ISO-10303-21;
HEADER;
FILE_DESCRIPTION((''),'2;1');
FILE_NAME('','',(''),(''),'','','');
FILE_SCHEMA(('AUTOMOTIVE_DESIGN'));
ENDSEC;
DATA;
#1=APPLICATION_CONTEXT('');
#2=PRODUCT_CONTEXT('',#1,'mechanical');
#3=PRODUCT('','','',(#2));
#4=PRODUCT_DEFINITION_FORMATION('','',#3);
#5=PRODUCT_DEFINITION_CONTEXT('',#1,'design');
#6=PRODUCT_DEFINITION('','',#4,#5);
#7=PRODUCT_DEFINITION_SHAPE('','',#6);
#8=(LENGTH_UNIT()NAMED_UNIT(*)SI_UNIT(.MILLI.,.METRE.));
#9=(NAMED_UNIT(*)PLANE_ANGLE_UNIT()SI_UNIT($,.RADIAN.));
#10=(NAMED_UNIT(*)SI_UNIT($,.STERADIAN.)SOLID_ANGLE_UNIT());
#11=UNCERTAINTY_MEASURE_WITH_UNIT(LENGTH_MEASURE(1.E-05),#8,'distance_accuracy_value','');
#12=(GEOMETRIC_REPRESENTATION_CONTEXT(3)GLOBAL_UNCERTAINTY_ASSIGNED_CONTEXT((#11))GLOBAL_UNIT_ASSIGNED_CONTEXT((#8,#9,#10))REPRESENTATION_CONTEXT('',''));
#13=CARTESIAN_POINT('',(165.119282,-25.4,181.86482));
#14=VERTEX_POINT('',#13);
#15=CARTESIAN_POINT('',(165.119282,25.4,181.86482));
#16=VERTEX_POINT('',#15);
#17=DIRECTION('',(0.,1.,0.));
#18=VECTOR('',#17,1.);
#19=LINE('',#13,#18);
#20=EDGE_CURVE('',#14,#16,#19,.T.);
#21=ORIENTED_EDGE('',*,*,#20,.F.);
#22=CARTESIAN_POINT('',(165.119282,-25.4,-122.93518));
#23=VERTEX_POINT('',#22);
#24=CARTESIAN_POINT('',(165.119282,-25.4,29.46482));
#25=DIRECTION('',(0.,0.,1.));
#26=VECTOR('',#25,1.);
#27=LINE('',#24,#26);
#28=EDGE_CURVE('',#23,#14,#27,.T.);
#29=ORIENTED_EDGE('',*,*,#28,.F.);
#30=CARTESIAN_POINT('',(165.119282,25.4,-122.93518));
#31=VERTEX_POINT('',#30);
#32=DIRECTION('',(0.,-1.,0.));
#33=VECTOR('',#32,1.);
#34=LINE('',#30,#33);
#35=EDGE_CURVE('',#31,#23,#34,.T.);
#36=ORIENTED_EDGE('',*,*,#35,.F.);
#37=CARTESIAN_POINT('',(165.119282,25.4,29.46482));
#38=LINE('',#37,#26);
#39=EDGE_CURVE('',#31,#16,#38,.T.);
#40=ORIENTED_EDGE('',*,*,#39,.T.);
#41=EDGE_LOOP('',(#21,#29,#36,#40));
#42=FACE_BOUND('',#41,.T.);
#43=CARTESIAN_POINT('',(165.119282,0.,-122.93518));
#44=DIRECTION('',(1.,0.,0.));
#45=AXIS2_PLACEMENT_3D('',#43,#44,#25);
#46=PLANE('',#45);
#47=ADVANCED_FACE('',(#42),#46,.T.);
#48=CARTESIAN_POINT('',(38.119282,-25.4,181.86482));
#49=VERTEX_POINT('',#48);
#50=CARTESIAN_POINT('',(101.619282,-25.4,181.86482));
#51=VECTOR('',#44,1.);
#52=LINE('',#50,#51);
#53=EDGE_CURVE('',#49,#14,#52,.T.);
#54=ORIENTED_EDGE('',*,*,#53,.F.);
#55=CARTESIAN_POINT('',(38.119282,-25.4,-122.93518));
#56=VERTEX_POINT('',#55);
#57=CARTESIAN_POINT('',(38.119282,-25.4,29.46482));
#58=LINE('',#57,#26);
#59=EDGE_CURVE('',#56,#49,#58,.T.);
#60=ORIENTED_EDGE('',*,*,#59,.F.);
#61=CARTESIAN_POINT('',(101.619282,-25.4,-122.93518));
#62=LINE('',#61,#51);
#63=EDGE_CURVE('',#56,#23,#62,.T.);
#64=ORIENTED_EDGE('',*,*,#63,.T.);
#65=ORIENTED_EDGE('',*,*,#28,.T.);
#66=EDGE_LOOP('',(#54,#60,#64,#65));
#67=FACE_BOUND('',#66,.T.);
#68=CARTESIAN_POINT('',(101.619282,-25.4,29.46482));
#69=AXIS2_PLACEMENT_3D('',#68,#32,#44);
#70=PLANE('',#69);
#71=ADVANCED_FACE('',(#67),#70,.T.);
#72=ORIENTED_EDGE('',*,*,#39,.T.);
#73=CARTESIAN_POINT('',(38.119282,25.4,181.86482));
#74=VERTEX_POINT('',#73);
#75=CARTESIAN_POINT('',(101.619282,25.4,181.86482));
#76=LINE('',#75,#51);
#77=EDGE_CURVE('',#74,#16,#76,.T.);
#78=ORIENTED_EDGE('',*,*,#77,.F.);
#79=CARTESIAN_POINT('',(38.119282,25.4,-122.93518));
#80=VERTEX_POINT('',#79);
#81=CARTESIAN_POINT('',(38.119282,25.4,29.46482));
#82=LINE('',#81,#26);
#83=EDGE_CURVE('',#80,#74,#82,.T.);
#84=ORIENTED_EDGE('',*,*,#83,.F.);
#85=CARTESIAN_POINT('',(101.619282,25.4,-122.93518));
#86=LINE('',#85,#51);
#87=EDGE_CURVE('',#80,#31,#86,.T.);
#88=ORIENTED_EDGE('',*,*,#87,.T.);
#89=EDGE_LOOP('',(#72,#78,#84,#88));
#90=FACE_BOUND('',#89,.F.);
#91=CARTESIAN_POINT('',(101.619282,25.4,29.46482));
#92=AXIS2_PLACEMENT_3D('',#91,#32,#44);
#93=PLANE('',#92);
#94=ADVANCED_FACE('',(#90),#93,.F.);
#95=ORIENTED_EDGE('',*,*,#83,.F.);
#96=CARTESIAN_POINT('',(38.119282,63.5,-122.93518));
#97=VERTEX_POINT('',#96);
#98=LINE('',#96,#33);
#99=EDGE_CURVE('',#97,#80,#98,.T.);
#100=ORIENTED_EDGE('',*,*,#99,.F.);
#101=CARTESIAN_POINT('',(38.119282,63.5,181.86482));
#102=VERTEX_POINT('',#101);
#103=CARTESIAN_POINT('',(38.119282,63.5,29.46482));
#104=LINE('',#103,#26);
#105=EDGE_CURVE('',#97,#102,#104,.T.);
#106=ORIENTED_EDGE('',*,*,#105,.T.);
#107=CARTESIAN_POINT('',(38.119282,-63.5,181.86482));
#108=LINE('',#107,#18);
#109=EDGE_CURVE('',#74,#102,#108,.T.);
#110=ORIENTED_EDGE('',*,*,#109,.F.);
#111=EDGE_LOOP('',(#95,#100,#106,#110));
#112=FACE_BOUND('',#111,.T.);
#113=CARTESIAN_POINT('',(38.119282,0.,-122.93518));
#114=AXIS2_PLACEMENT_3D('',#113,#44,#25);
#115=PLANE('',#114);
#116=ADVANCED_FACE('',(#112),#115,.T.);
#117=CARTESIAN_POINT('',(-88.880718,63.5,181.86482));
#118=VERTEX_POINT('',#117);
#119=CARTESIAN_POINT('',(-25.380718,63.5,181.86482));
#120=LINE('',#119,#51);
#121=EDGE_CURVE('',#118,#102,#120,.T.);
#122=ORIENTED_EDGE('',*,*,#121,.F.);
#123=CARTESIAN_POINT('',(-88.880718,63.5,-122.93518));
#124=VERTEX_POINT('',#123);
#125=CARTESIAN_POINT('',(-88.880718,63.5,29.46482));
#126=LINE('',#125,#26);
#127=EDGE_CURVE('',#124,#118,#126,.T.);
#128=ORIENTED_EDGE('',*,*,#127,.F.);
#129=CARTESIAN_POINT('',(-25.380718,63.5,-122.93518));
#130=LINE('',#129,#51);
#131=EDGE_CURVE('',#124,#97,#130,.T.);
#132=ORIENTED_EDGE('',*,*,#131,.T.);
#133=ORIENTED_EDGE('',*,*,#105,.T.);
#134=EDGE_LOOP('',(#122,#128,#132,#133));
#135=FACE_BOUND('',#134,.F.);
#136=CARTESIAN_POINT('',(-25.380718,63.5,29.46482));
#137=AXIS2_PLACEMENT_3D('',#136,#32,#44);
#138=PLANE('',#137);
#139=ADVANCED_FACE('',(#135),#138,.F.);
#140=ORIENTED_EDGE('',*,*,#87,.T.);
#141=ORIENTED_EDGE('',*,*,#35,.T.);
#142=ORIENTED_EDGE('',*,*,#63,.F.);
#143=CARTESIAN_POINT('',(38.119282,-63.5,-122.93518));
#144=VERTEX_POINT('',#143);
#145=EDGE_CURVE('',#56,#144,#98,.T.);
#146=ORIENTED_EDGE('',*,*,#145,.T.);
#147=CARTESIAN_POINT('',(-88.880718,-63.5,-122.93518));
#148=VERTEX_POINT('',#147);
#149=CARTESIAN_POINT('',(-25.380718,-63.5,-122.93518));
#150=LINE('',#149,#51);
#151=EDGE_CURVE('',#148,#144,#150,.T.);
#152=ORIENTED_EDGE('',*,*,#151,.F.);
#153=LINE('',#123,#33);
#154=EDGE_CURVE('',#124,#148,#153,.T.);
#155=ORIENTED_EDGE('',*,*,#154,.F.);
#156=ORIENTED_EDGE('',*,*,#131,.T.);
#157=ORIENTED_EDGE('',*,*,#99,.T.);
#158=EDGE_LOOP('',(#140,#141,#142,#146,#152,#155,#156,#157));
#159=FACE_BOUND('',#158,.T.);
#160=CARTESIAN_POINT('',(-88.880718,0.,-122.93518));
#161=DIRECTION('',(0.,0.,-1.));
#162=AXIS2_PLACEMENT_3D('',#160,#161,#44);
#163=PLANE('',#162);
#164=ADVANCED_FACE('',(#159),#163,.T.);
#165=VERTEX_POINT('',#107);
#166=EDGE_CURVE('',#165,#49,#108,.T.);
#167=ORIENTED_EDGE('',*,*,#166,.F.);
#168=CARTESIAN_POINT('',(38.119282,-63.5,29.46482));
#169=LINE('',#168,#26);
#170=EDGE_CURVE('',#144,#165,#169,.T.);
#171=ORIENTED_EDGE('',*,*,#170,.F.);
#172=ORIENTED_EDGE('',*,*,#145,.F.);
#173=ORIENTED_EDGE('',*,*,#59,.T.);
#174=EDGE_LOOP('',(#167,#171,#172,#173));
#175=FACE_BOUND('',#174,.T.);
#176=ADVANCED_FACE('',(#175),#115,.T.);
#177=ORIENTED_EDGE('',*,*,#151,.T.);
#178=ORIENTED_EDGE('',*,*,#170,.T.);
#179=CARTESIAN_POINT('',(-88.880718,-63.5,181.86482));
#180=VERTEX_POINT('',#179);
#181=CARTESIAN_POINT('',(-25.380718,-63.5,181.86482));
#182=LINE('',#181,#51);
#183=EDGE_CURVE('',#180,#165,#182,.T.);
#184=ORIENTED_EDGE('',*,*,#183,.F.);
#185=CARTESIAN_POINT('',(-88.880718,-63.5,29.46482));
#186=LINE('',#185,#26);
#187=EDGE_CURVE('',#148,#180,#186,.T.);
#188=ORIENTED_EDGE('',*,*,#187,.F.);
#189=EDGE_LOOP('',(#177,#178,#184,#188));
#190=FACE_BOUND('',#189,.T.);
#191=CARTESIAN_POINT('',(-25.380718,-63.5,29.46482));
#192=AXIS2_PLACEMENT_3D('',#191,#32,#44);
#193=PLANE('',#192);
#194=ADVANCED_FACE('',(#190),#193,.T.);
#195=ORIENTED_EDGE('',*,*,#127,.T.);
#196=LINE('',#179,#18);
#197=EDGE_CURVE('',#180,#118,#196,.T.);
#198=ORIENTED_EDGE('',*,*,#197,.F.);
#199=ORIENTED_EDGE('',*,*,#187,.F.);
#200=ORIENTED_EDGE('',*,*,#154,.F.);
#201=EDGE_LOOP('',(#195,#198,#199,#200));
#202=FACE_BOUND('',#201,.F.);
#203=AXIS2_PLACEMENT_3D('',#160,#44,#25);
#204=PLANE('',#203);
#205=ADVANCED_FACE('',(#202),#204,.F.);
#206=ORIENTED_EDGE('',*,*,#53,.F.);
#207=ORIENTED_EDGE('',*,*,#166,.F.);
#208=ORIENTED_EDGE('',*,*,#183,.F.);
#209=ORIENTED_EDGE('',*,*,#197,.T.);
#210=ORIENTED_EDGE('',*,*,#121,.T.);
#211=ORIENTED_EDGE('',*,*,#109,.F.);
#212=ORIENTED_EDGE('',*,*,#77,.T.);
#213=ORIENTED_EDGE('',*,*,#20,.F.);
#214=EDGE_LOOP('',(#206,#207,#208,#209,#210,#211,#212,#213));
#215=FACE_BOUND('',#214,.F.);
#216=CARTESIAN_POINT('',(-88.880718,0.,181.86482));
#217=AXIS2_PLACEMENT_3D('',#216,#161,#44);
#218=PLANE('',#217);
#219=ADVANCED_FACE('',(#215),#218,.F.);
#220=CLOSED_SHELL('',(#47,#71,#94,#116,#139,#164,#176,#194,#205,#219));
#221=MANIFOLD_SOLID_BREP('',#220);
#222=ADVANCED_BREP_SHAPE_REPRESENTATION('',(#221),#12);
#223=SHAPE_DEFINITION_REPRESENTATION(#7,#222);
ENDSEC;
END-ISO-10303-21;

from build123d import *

# Parameters (mm, degrees)
F0_W     = 127
F0_H     = 304.8
F1_DEPTH = 63.5
F2_DEPTH = 25.4


with BuildPart() as f1:
    # F0 (on Front) → F1 (new body, symmetric)
    with BuildSketch(Plane.XZ):
        with Locations((-25.380718, 29.46482)):
            Rectangle(F0_W, F0_H)
    extrude(amount=F1_DEPTH, both=True)

    # F0 (on Front) → F2 (join, symmetric)
    with BuildSketch(Plane.XZ):
        with Locations((101.619282, 29.46482)):
            Rectangle(F0_W, F0_H)
    extrude(amount=F2_DEPTH, both=True)


solid = f1.part
